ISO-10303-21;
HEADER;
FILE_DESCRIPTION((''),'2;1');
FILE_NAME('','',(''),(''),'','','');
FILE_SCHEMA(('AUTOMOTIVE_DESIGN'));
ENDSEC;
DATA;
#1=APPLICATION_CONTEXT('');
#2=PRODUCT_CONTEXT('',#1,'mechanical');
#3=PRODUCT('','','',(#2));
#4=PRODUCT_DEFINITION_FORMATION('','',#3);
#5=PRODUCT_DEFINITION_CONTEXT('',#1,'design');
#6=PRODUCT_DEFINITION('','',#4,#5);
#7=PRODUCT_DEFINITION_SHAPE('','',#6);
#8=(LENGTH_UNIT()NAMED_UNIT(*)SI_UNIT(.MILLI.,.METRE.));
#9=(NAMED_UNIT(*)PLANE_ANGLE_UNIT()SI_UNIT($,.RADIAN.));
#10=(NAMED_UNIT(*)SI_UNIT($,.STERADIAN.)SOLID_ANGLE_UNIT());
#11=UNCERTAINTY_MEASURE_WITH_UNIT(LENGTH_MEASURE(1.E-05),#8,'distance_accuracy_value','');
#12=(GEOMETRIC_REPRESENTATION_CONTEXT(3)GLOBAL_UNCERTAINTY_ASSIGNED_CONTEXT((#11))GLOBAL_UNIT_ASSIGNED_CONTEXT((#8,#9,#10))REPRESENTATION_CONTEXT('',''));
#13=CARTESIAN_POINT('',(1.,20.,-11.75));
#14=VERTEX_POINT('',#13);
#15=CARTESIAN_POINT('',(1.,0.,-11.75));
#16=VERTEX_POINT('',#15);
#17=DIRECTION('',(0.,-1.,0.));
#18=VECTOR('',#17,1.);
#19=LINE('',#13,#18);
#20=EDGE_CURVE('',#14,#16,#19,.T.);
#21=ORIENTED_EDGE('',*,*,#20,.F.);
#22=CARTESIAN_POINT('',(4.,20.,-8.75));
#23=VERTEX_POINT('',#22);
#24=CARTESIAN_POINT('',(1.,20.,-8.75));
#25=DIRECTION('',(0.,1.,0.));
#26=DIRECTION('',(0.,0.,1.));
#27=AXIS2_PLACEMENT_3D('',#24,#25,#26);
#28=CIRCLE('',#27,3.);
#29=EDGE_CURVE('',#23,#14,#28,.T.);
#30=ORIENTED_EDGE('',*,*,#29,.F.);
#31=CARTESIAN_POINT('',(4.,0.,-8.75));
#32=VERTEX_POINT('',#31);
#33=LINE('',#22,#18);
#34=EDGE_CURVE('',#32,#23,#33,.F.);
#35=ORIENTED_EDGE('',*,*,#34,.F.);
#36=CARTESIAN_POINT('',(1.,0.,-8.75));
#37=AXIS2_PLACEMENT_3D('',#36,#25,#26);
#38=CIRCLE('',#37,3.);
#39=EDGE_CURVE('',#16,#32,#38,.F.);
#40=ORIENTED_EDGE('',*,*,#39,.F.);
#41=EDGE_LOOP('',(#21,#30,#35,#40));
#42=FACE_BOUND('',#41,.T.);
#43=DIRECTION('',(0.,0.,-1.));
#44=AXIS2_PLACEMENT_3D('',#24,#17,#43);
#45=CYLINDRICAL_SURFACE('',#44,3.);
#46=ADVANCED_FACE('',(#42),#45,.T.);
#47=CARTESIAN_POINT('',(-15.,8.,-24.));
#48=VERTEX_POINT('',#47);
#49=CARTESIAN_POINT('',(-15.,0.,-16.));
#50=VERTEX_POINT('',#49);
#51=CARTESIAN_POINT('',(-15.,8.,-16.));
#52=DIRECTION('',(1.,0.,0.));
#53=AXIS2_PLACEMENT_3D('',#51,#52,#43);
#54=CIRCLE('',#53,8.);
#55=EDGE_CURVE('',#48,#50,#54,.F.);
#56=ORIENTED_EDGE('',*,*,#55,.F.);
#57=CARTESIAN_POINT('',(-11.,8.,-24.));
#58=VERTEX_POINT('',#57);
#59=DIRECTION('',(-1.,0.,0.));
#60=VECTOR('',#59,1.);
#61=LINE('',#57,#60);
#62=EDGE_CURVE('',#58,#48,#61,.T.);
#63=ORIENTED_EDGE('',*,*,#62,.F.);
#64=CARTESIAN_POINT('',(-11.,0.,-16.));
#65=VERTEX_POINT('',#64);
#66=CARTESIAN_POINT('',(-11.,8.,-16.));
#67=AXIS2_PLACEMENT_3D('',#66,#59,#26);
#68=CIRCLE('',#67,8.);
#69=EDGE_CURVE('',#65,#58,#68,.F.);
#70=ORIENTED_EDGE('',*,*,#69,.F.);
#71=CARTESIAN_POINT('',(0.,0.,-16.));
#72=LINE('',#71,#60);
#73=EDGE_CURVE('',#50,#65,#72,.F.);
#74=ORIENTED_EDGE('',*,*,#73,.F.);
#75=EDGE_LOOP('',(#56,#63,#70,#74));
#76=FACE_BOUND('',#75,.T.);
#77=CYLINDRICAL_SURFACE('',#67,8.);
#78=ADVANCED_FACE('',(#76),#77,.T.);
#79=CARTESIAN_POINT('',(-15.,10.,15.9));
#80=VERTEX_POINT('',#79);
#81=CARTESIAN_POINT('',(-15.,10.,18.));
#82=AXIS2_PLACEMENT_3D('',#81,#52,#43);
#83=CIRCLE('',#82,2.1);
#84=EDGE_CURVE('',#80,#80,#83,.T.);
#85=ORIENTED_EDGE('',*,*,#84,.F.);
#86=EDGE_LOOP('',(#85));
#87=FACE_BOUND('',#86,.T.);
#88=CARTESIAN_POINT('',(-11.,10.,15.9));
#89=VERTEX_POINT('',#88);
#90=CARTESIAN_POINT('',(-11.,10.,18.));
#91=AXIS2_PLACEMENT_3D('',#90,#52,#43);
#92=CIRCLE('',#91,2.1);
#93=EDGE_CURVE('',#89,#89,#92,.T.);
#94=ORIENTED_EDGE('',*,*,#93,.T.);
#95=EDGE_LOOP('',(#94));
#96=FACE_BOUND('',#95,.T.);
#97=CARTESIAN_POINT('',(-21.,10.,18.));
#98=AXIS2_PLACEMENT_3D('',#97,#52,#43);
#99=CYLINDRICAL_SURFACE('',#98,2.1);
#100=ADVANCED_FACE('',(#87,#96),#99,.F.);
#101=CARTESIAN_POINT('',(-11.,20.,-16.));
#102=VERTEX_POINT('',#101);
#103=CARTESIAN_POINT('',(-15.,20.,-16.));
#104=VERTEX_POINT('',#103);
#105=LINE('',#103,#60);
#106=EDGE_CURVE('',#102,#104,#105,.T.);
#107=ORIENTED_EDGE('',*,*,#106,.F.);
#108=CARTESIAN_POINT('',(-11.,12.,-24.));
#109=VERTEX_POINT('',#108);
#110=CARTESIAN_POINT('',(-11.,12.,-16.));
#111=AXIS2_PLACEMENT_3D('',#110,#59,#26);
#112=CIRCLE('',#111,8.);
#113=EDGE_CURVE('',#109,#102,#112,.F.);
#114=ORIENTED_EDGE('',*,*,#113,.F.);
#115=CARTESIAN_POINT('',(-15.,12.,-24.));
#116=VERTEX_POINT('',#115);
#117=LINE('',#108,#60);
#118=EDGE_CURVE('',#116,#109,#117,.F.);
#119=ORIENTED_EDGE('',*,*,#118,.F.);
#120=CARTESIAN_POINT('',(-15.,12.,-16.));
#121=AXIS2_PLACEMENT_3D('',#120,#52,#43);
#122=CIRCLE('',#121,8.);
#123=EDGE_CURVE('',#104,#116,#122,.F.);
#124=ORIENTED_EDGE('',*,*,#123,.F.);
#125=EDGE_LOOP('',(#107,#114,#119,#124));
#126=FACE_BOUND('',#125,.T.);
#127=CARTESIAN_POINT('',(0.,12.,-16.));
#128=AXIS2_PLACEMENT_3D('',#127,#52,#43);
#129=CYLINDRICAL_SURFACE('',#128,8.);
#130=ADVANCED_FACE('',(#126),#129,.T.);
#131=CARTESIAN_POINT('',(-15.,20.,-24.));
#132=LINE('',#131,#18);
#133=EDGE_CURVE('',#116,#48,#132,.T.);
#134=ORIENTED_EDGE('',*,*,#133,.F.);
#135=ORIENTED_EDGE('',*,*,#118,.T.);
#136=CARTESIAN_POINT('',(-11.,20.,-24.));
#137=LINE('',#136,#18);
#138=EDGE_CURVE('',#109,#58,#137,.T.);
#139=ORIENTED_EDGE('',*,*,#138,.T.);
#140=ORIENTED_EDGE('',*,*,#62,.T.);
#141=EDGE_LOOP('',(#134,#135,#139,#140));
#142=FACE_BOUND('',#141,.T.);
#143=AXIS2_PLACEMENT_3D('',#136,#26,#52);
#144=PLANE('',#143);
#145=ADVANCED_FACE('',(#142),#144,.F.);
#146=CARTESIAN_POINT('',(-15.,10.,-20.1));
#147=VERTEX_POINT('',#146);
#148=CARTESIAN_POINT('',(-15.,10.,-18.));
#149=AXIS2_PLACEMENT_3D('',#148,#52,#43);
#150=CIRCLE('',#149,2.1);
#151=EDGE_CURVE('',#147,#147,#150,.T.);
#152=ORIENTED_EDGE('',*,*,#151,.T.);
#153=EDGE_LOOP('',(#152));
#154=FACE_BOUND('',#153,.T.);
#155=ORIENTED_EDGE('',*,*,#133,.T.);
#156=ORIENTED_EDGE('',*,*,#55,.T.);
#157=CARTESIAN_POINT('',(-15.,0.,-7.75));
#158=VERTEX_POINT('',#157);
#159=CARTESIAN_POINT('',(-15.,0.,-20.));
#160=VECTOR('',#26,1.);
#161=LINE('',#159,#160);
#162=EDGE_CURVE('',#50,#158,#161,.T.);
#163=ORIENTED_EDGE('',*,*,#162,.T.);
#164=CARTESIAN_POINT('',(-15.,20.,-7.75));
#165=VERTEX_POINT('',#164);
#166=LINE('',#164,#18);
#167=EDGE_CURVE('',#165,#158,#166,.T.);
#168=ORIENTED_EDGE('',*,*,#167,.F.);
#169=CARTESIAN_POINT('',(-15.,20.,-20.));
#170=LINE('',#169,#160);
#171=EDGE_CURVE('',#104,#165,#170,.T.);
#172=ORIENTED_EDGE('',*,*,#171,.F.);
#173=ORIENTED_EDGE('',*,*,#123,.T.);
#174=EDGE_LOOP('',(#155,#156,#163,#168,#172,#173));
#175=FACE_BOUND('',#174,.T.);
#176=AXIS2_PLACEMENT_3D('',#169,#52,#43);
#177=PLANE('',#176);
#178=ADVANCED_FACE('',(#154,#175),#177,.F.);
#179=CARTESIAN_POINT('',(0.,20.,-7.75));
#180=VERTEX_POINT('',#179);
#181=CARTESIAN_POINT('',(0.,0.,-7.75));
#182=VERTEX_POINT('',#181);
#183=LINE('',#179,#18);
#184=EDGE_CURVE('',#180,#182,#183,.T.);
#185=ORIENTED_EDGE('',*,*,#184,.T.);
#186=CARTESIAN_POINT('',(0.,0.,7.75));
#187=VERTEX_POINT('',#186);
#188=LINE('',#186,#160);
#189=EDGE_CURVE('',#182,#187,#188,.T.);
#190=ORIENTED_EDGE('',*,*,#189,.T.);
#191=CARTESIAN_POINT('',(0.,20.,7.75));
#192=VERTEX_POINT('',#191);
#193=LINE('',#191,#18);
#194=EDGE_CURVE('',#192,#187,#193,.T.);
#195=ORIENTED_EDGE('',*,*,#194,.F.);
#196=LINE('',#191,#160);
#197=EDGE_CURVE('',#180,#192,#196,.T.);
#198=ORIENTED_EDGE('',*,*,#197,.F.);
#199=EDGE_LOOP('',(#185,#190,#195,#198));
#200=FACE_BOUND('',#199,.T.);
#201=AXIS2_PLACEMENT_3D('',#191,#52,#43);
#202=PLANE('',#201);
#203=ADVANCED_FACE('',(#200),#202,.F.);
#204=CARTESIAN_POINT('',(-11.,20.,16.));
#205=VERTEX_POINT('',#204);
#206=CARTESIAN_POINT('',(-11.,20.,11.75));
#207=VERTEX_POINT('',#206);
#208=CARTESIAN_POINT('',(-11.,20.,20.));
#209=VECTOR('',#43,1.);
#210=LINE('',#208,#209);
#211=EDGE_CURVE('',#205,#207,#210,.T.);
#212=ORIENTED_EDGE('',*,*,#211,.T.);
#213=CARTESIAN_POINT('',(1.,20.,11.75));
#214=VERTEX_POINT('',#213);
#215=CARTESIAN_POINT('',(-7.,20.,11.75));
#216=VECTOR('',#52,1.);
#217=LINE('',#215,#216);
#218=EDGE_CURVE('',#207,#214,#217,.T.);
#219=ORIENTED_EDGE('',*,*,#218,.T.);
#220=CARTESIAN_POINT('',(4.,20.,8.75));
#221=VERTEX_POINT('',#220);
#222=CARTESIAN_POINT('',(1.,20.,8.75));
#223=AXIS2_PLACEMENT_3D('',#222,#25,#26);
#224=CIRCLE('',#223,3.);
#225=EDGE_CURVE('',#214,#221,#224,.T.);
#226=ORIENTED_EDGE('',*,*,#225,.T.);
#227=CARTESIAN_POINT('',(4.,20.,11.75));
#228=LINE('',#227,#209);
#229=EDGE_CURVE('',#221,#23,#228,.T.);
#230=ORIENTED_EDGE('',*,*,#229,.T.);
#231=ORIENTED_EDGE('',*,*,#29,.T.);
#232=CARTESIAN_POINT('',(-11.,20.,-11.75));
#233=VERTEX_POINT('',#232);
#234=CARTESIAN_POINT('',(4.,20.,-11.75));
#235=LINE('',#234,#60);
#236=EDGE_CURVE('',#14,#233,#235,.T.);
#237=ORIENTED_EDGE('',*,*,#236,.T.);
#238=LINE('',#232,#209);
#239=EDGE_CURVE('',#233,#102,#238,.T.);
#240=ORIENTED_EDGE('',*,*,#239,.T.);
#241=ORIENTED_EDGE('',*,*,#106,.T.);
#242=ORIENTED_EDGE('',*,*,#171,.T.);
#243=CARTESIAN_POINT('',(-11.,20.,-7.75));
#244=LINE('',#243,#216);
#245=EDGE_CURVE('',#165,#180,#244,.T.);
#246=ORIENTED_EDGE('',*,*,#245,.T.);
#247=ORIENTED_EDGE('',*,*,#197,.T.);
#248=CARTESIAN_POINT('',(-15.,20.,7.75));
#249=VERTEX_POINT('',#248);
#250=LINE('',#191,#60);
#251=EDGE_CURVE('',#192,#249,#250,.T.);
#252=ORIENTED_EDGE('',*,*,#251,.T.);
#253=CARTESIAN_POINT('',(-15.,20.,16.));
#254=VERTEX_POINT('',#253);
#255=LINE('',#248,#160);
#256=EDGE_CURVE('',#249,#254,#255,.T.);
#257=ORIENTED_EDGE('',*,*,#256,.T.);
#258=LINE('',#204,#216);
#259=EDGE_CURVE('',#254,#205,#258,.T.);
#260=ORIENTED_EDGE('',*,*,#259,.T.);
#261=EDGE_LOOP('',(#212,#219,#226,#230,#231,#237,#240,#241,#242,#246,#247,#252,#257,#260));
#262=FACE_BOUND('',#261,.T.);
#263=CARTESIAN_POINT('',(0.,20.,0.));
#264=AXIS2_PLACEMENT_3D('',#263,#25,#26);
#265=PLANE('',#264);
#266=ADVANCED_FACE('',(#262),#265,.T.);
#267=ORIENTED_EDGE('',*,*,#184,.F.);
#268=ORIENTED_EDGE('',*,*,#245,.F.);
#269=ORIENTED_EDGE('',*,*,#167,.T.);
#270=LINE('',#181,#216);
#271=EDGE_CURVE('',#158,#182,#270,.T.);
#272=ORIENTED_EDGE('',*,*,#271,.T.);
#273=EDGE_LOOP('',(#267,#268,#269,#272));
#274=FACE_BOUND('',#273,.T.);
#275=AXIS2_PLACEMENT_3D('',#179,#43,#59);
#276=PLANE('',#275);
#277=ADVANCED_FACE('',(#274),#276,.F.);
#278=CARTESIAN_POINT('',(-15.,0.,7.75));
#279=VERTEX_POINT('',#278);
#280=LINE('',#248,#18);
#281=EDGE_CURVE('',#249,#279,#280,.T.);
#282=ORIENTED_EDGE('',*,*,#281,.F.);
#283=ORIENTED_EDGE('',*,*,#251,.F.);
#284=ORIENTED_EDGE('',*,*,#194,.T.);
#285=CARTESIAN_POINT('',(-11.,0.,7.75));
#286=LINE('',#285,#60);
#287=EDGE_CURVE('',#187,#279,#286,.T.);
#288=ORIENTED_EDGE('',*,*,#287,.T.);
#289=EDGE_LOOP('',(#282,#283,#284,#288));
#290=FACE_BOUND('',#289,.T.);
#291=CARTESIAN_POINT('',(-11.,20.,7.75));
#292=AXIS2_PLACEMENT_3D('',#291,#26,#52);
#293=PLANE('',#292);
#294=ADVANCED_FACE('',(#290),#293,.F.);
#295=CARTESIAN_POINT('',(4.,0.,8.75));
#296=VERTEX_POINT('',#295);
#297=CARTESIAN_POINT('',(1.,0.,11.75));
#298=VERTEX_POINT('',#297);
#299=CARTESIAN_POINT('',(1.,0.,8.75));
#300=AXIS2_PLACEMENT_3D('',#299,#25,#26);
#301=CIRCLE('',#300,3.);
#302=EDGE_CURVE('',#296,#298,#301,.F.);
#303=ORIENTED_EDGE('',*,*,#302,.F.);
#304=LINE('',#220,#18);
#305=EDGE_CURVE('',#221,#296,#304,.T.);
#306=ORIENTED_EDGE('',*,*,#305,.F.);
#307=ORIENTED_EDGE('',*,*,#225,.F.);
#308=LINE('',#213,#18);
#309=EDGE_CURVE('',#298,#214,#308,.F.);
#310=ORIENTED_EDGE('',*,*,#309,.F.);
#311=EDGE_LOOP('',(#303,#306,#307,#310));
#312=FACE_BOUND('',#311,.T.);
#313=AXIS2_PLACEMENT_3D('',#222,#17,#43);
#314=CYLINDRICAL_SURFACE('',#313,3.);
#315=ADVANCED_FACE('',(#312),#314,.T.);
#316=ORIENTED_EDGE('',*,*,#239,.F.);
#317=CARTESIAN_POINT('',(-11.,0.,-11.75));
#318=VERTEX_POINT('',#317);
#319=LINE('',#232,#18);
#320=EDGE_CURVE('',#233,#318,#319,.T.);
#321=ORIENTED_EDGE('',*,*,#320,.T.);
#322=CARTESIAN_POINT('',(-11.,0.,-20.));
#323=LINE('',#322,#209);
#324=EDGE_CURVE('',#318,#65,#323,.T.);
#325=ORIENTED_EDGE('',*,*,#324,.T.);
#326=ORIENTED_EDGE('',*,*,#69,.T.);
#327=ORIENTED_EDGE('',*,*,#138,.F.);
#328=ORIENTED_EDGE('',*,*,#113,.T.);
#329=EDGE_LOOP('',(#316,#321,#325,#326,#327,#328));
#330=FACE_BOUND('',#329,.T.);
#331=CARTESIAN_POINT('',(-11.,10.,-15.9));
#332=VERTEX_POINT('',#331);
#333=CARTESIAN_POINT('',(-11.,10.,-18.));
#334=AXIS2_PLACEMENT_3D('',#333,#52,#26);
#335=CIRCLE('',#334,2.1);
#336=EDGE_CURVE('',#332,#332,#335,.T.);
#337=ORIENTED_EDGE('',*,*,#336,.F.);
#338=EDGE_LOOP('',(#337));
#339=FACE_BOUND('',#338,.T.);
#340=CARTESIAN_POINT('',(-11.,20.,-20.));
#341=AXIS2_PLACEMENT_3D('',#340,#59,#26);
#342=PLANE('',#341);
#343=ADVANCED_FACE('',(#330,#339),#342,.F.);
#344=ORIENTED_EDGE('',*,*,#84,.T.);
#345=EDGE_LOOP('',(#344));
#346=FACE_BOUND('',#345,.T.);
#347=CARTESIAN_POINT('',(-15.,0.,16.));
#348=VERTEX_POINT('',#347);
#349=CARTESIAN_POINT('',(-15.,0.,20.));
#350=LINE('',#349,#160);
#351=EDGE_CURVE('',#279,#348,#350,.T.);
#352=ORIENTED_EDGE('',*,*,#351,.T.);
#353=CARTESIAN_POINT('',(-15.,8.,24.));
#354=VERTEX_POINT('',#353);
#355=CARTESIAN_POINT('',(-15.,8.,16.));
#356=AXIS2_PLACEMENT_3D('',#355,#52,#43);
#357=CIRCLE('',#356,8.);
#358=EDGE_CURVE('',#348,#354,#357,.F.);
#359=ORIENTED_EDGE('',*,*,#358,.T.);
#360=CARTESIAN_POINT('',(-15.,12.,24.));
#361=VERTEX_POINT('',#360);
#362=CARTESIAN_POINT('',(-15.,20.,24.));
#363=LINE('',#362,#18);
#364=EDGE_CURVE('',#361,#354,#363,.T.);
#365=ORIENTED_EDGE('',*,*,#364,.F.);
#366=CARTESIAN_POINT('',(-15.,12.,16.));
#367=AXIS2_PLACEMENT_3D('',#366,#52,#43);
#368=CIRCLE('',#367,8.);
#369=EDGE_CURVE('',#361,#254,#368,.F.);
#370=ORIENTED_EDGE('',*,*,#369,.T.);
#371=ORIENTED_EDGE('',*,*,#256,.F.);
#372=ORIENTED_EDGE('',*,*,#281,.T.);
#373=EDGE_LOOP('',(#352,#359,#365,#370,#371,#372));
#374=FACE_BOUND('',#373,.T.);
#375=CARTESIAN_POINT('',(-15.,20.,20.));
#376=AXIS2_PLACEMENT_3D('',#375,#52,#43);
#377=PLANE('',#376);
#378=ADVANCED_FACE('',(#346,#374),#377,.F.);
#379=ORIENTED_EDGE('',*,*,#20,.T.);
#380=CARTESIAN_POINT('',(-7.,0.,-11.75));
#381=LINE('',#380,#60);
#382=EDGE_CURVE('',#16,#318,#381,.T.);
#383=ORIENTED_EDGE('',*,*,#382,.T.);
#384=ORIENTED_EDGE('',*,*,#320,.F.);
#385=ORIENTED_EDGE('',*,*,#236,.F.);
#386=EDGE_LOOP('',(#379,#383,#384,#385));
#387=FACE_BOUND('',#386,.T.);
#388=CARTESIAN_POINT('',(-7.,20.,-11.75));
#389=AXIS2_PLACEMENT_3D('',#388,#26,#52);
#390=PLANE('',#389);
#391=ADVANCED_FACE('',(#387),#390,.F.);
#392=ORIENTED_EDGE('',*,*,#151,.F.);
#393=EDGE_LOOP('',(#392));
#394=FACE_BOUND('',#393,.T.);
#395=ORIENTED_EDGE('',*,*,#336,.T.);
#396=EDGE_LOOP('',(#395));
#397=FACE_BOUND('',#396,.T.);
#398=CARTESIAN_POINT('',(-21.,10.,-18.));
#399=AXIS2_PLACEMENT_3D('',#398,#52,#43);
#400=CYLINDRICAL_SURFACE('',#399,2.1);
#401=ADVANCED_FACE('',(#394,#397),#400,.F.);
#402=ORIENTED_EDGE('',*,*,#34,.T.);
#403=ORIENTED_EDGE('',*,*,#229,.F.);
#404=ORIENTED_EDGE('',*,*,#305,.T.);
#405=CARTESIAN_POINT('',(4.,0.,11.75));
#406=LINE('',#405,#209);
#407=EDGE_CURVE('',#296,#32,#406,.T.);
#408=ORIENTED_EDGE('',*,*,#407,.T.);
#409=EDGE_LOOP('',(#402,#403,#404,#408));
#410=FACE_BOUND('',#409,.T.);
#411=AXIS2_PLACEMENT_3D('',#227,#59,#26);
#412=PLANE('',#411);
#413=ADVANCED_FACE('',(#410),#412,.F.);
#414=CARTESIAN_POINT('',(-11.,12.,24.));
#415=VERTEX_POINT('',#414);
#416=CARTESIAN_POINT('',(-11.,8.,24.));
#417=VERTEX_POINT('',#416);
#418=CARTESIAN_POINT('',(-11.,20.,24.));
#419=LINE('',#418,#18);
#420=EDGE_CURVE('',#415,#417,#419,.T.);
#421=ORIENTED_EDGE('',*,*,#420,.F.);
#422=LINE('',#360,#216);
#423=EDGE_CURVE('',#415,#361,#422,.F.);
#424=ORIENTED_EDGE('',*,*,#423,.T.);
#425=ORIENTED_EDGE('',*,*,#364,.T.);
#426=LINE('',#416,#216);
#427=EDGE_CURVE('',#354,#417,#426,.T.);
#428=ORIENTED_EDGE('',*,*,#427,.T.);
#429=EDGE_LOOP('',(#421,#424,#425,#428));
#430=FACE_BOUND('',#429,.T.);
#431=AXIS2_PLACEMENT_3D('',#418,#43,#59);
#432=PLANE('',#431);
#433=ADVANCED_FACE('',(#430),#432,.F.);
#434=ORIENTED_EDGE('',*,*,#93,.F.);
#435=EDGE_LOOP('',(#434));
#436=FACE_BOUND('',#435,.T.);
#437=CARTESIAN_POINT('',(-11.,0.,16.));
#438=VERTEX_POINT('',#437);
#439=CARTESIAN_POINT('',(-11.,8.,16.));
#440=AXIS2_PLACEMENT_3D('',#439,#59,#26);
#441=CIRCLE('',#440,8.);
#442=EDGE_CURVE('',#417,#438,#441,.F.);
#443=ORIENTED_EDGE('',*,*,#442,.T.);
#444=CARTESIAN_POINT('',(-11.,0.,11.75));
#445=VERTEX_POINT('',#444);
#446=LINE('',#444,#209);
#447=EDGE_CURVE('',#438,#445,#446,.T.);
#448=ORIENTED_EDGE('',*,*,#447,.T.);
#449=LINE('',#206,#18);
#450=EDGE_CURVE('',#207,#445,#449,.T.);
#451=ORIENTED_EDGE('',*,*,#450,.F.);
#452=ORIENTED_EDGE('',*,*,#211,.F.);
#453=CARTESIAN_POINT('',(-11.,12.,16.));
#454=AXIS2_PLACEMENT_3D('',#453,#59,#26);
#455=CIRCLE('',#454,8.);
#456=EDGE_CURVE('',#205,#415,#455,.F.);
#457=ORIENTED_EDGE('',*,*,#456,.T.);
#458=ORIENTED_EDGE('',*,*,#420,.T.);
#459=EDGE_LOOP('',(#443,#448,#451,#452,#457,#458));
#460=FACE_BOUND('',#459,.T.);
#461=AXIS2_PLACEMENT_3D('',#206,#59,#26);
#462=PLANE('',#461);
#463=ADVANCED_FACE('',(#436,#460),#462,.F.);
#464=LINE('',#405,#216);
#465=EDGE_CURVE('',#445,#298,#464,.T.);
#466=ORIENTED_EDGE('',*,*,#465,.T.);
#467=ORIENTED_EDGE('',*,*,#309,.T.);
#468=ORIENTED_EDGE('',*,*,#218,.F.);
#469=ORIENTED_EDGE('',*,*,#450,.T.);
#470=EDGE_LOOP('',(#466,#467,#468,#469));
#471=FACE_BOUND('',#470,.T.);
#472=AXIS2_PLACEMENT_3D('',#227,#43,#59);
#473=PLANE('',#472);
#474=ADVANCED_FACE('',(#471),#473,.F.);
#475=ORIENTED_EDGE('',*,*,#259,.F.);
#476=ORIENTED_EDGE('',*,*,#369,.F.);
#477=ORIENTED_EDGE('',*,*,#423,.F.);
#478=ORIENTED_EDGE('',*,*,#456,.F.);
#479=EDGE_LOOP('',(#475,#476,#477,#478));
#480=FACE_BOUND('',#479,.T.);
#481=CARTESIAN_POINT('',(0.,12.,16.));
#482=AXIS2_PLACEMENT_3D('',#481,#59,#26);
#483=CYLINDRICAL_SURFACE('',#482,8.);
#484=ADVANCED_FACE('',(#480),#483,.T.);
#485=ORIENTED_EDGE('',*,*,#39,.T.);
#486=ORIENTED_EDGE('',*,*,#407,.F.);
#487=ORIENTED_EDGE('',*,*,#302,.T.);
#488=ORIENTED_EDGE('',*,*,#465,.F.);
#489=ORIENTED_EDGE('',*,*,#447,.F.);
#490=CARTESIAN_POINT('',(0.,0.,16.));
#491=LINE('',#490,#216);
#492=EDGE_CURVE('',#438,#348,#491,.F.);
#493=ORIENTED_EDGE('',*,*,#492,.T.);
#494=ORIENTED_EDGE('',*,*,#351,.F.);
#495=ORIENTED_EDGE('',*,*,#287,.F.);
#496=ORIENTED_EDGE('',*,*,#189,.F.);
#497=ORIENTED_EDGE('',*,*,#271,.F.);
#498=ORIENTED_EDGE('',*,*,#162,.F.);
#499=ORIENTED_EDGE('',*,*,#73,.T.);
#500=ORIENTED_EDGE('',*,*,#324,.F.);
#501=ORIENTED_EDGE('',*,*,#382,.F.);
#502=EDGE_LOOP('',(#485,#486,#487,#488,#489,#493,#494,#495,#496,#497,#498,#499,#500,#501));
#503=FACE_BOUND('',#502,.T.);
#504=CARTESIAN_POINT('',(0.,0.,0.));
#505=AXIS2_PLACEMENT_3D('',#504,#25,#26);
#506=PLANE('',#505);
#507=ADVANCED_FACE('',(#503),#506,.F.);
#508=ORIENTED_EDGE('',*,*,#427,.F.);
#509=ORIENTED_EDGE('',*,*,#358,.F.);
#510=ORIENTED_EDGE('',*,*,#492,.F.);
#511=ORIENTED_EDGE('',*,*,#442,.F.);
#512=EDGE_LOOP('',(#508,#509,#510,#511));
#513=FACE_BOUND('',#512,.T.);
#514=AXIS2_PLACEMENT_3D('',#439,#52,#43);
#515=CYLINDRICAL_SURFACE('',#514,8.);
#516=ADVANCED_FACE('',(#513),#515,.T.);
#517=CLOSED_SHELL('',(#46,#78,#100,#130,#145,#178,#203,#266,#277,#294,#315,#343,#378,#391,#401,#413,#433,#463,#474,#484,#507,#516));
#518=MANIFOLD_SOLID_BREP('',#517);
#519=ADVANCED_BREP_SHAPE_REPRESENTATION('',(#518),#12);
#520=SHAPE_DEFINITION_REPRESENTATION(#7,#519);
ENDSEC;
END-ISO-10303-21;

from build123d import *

# Parameters (mm, degrees)
EXTRUDE_1_DEPTH     = 20
SKETCH_3_R          = 2.1
CUT_EXTRUDE_1_DEPTH = 10
FILLET_1_R          = 8
FILLET_2_R          = 3


with BuildPart() as part:
    # 草图2 → 凸台-拉伸1 (new body)
    with BuildSketch(Plane(origin=(0, 0, 0), x_dir=(1, 0, 0), z_dir=(0, 1, 0))):
        Polygon((0, -7.75), (0, 7.75), (-11, 7.75), (-15, 7.75), (-15, 20), (-15, 24), (-11, 24), (-11, 20), (-11, 11.75), (-7, 11.75), (4, 11.75), (4, -11.75), (-7, -11.75), (-11, -11.75), (-11, -20), (-11, -24), (-15, -24), (-15, -20), (-15, -7.75), (-11, -7.75), align=None)
    extrude(amount=EXTRUDE_1_DEPTH)

    # 草图3 → 切除-拉伸1 (cut)
    with BuildSketch(Plane(origin=(-11, 0, 0), x_dir=(0, 0, -1), z_dir=(1, 0, 0))):
        with Locations((-18, 10)):
            Circle(SKETCH_3_R)
        with Locations((18, 10)):
            Circle(SKETCH_3_R)
    extrude(amount=-CUT_EXTRUDE_1_DEPTH, mode=Mode.SUBTRACT)

    # 圆角1
    fillet_1_edges = [part.edges().sort_by_distance(p)[0] for p in [
        (-13, 0, -24),
        (-13, 0, 24),
        (-13, 20, 24),
        (-13, 20, -24),
    ]]
    fillet(fillet_1_edges, radius=FILLET_1_R)

    # 圆角2
    fillet_2_edges = [part.edges().sort_by_distance(p)[0] for p in [
        (4, 10, -11.75),
        (4, 10, 11.75),
    ]]
    fillet(fillet_2_edges, radius=FILLET_2_R)


solid = part.part
